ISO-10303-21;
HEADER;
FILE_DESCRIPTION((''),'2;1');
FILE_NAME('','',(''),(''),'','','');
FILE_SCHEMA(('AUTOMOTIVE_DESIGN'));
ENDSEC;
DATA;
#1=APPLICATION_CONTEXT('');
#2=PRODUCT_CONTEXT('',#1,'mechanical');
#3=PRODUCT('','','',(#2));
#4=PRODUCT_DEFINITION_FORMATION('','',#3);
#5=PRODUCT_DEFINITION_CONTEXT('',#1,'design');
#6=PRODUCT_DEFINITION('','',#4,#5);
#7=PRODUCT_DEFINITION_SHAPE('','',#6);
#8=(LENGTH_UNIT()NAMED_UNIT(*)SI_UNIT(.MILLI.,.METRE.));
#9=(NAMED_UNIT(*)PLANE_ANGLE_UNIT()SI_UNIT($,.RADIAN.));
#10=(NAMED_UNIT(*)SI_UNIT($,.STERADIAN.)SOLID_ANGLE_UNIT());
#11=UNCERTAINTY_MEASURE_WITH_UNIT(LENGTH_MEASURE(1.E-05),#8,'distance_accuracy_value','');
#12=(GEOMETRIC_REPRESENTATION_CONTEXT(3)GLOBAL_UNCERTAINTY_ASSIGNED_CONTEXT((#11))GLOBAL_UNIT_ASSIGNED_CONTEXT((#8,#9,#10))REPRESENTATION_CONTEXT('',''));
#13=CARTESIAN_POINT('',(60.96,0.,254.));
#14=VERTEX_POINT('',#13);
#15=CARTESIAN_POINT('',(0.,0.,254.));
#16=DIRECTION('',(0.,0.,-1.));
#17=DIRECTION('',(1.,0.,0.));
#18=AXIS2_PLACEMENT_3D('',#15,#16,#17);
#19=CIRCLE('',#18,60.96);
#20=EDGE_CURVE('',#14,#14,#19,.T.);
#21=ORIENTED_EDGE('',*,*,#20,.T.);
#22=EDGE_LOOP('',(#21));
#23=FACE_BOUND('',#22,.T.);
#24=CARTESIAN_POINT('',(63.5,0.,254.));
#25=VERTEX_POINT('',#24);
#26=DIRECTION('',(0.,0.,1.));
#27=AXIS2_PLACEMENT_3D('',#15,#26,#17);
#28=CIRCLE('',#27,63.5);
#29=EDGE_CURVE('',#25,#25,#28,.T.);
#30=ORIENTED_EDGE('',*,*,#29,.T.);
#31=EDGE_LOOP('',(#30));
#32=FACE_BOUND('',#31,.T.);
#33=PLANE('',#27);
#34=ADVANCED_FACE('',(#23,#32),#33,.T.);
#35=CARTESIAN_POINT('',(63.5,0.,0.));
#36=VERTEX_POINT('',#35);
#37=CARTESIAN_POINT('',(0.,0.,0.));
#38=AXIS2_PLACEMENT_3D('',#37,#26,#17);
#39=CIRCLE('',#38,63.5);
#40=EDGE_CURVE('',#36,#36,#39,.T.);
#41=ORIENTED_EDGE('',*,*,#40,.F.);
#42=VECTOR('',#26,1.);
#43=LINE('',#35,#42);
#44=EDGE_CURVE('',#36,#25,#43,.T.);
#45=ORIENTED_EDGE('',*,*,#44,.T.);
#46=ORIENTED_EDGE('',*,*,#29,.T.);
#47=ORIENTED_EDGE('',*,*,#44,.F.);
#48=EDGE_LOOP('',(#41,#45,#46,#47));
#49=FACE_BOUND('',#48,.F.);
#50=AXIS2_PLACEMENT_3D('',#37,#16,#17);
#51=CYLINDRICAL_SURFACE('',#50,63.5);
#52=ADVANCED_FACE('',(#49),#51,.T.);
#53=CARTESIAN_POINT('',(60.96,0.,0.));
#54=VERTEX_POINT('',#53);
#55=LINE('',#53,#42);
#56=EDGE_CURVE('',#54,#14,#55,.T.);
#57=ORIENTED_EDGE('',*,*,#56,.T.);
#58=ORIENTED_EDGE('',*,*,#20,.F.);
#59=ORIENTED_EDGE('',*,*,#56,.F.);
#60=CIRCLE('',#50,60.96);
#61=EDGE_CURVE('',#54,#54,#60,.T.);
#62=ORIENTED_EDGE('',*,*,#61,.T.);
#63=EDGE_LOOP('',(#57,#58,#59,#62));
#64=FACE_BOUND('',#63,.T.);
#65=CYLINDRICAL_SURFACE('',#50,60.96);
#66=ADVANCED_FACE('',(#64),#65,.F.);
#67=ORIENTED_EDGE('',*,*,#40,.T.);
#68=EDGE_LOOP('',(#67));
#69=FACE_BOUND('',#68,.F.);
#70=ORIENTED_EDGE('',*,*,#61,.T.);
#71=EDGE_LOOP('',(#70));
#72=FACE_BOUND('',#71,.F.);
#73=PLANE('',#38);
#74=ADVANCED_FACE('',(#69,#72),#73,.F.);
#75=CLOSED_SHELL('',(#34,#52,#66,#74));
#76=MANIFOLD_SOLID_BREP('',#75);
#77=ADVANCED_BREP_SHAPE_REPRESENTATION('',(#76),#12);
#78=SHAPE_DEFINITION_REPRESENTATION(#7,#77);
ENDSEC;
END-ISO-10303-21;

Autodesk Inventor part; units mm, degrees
ref_plane "YZ Plane" through (0, 0, 0) normal (1, 0, 0) x (0, 1, 0)
ref_plane "XZ Plane" through (0, 0, 0) normal (0, 1, 0) x (-1, 0, 0)
ref_plane "XY Plane" through (0, 0, 0) normal (0, 0, 1) x (1, 0, 0)
sketch "Sketch1" plane through (0, 0, 0) normal (0, 0, 1) x (1, 0, 0)
  circle A0 centre (0, 0) radius 63.5
  dimension "d0" = 127
extrude "Extrusion1" add sketch "Sketch1" along normal blind 254
shell "Shell1" thickness 2.54 removed faces 2 at (18.5577, 2.6089, 0) at (18.5577, 2.6089, 254)
properties part number "Cylinder metal tube"
